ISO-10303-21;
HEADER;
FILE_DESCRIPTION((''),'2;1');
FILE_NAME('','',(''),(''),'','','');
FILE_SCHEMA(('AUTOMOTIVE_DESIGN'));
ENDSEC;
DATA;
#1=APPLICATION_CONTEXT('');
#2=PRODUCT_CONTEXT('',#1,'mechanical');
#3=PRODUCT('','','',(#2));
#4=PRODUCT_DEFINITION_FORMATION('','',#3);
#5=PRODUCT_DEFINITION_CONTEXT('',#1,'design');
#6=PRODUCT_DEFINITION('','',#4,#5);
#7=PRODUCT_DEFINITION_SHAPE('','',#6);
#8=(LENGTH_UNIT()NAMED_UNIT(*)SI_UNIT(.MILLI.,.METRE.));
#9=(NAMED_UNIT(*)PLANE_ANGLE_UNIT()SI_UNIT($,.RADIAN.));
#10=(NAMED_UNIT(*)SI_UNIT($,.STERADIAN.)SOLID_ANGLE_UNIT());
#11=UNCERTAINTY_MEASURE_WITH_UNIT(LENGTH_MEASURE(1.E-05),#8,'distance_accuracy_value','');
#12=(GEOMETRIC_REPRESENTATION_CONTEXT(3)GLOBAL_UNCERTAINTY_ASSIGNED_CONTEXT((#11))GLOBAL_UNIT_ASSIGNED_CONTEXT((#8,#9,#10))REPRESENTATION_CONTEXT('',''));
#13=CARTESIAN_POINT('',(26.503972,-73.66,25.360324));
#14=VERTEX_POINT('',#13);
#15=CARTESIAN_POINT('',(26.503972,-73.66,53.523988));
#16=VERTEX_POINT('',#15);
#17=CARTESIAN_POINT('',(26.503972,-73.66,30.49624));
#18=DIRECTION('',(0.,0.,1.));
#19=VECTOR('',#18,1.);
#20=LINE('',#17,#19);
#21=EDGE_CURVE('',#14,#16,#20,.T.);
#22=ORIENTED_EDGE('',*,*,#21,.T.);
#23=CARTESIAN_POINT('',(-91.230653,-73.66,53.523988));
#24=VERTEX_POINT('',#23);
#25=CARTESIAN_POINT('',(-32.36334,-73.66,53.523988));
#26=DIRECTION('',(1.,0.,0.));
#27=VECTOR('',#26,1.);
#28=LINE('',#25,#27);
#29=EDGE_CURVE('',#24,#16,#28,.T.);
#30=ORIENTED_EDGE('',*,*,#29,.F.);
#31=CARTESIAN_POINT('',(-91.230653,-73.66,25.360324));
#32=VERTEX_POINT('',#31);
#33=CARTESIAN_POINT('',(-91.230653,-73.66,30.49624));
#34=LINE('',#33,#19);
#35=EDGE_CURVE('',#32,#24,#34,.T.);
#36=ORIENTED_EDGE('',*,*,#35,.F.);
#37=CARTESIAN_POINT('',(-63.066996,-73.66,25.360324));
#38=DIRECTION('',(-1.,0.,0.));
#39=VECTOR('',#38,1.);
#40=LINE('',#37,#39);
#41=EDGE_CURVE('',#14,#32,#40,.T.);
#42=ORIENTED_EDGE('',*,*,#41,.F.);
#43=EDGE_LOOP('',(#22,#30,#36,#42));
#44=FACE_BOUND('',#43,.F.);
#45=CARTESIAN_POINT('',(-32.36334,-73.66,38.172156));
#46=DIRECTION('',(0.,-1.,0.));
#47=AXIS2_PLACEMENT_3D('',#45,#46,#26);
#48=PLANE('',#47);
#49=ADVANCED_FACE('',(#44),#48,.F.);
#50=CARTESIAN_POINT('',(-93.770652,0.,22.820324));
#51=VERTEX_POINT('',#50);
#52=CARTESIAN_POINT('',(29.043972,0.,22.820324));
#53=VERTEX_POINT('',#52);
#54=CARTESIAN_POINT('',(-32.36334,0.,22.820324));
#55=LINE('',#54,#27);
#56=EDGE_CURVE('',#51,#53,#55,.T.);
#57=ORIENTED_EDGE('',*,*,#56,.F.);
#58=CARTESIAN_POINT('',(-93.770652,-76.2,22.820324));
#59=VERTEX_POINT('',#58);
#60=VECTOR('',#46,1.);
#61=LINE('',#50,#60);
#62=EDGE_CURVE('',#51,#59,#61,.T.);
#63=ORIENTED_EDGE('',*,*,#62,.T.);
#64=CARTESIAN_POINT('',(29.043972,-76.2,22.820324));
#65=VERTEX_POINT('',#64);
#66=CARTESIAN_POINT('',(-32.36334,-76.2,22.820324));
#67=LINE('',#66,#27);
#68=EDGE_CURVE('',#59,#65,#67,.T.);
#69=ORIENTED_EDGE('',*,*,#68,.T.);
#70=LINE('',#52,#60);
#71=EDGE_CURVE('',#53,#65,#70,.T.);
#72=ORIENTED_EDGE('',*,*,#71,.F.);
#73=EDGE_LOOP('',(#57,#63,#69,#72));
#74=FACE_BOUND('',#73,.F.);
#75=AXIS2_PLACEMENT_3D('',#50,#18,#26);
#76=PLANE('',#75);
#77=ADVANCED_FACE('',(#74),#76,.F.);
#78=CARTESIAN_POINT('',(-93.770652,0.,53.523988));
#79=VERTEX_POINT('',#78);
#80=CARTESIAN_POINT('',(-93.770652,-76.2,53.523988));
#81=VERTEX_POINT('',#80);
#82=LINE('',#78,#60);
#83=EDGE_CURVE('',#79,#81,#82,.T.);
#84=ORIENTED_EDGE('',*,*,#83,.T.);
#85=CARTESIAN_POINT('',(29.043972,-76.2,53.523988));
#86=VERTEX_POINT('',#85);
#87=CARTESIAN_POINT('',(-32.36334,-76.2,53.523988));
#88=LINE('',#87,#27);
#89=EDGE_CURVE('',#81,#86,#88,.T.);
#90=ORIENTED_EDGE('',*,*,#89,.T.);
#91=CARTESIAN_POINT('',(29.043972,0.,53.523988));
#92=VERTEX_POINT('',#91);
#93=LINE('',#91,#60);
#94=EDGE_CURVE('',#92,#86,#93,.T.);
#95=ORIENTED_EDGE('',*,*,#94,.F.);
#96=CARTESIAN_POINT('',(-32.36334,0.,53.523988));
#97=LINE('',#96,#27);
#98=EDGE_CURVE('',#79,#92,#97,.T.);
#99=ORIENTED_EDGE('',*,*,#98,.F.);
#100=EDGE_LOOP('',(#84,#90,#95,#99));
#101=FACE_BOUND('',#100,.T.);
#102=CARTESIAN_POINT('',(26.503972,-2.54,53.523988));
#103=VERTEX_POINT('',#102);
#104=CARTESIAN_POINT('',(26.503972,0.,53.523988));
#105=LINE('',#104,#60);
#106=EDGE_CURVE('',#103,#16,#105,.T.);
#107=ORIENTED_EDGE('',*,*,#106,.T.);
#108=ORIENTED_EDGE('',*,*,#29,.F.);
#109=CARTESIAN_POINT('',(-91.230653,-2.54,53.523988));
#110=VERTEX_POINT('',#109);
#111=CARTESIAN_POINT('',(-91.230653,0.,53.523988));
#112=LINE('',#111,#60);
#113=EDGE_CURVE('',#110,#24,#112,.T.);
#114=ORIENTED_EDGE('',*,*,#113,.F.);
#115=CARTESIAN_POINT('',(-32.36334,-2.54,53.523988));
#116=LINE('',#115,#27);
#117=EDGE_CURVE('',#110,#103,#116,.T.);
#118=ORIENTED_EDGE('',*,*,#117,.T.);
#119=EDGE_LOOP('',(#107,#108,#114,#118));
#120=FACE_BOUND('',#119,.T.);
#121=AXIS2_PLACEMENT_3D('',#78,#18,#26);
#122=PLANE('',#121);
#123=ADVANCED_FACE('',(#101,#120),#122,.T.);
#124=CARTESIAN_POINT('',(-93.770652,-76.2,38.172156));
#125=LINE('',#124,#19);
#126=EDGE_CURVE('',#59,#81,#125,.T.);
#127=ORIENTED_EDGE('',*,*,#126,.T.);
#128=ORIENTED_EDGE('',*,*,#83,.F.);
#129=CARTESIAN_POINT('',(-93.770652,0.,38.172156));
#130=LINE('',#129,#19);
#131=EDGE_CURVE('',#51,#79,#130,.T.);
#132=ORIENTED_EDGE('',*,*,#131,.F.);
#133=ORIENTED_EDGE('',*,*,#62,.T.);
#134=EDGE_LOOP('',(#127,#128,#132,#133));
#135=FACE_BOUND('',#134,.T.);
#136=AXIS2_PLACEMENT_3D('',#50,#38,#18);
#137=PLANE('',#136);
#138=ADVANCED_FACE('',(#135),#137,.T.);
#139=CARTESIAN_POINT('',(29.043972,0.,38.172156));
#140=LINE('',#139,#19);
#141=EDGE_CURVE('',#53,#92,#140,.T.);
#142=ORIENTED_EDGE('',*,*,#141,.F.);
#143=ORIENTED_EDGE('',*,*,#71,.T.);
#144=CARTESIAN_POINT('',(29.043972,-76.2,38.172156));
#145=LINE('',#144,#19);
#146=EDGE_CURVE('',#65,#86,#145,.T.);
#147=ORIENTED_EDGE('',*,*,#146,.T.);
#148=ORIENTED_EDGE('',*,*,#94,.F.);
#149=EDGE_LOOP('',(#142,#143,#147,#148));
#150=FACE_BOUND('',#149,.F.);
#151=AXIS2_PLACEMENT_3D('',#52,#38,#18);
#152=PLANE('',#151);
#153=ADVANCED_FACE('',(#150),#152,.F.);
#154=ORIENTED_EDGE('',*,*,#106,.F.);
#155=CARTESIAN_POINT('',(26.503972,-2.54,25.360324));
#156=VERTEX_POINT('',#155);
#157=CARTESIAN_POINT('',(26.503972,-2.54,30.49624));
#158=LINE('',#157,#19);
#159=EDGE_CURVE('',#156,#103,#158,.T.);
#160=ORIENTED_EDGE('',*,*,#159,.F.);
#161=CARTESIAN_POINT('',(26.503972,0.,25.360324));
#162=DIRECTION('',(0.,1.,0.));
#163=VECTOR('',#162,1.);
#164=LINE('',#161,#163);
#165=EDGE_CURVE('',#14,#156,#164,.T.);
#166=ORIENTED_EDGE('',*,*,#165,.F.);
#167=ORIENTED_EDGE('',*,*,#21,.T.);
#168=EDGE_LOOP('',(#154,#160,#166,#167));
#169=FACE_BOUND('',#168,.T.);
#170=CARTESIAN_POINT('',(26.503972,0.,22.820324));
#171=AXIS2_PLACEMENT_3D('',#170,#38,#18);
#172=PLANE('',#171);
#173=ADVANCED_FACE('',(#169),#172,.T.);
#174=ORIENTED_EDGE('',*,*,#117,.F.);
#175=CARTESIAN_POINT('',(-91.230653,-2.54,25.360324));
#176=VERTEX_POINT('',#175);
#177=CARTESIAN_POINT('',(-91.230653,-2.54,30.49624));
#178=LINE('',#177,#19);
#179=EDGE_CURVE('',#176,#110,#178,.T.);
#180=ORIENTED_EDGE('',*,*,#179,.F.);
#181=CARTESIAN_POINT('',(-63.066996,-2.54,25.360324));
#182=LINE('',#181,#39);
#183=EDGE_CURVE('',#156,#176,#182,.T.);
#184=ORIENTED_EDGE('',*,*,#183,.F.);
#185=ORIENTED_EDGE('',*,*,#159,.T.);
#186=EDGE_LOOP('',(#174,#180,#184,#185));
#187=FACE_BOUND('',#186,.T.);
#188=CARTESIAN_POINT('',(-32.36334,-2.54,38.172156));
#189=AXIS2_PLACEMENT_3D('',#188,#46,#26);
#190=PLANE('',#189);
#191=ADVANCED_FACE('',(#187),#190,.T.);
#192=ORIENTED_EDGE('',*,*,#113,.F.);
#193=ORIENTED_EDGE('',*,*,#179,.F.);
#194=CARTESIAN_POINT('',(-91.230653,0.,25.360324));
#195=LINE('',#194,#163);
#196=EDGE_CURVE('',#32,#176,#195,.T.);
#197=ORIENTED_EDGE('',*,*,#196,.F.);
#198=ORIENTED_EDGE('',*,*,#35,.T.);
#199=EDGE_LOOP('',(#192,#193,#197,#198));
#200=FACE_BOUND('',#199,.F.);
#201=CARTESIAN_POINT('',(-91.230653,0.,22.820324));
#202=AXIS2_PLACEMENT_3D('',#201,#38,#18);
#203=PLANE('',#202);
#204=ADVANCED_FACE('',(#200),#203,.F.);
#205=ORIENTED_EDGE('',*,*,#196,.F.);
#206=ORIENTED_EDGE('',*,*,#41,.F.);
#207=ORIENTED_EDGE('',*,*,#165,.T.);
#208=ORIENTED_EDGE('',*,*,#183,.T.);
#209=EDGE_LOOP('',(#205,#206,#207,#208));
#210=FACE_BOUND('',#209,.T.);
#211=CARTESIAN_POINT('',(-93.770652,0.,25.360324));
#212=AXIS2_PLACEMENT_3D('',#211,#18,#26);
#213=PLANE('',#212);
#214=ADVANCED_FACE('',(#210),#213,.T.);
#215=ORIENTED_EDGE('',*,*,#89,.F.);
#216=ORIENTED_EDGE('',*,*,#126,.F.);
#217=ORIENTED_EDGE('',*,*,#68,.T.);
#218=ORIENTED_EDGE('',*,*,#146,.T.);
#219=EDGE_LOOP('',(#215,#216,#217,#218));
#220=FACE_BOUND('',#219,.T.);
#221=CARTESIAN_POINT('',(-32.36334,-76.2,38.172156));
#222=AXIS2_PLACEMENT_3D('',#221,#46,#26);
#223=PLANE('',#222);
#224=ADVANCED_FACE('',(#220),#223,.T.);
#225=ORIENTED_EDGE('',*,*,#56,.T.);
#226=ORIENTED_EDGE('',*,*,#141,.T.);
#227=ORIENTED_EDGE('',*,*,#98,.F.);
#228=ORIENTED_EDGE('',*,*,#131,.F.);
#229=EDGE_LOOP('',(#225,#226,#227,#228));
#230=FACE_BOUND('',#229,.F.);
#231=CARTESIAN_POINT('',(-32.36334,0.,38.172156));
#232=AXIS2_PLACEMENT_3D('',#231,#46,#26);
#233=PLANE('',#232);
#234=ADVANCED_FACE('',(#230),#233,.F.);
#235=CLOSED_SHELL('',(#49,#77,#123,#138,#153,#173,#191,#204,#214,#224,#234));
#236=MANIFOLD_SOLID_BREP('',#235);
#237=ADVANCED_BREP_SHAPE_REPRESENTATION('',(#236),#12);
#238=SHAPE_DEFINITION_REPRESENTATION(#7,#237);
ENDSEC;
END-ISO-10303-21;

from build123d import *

# Parameters (mm, degrees)
F0_W     = 122.814625
F0_H     = 30.703664
F1_DEPTH = 76.2
F2_T     = -2.54


with BuildPart() as f1:
    # F0 (on Front) → F1 (new body)
    with BuildSketch(Plane.XZ):
        with Locations((-32.36334, 38.172156)):
            Rectangle(F0_W, F0_H)
    extrude(amount=F1_DEPTH)

    # F2
    f2_openings = [f1.faces().sort_by_distance(p)[0] for p in [
        (-32.36334, -38.1, 53.523988),
    ]]
    offset(amount=F2_T, openings=f2_openings)


solid = f1.part
